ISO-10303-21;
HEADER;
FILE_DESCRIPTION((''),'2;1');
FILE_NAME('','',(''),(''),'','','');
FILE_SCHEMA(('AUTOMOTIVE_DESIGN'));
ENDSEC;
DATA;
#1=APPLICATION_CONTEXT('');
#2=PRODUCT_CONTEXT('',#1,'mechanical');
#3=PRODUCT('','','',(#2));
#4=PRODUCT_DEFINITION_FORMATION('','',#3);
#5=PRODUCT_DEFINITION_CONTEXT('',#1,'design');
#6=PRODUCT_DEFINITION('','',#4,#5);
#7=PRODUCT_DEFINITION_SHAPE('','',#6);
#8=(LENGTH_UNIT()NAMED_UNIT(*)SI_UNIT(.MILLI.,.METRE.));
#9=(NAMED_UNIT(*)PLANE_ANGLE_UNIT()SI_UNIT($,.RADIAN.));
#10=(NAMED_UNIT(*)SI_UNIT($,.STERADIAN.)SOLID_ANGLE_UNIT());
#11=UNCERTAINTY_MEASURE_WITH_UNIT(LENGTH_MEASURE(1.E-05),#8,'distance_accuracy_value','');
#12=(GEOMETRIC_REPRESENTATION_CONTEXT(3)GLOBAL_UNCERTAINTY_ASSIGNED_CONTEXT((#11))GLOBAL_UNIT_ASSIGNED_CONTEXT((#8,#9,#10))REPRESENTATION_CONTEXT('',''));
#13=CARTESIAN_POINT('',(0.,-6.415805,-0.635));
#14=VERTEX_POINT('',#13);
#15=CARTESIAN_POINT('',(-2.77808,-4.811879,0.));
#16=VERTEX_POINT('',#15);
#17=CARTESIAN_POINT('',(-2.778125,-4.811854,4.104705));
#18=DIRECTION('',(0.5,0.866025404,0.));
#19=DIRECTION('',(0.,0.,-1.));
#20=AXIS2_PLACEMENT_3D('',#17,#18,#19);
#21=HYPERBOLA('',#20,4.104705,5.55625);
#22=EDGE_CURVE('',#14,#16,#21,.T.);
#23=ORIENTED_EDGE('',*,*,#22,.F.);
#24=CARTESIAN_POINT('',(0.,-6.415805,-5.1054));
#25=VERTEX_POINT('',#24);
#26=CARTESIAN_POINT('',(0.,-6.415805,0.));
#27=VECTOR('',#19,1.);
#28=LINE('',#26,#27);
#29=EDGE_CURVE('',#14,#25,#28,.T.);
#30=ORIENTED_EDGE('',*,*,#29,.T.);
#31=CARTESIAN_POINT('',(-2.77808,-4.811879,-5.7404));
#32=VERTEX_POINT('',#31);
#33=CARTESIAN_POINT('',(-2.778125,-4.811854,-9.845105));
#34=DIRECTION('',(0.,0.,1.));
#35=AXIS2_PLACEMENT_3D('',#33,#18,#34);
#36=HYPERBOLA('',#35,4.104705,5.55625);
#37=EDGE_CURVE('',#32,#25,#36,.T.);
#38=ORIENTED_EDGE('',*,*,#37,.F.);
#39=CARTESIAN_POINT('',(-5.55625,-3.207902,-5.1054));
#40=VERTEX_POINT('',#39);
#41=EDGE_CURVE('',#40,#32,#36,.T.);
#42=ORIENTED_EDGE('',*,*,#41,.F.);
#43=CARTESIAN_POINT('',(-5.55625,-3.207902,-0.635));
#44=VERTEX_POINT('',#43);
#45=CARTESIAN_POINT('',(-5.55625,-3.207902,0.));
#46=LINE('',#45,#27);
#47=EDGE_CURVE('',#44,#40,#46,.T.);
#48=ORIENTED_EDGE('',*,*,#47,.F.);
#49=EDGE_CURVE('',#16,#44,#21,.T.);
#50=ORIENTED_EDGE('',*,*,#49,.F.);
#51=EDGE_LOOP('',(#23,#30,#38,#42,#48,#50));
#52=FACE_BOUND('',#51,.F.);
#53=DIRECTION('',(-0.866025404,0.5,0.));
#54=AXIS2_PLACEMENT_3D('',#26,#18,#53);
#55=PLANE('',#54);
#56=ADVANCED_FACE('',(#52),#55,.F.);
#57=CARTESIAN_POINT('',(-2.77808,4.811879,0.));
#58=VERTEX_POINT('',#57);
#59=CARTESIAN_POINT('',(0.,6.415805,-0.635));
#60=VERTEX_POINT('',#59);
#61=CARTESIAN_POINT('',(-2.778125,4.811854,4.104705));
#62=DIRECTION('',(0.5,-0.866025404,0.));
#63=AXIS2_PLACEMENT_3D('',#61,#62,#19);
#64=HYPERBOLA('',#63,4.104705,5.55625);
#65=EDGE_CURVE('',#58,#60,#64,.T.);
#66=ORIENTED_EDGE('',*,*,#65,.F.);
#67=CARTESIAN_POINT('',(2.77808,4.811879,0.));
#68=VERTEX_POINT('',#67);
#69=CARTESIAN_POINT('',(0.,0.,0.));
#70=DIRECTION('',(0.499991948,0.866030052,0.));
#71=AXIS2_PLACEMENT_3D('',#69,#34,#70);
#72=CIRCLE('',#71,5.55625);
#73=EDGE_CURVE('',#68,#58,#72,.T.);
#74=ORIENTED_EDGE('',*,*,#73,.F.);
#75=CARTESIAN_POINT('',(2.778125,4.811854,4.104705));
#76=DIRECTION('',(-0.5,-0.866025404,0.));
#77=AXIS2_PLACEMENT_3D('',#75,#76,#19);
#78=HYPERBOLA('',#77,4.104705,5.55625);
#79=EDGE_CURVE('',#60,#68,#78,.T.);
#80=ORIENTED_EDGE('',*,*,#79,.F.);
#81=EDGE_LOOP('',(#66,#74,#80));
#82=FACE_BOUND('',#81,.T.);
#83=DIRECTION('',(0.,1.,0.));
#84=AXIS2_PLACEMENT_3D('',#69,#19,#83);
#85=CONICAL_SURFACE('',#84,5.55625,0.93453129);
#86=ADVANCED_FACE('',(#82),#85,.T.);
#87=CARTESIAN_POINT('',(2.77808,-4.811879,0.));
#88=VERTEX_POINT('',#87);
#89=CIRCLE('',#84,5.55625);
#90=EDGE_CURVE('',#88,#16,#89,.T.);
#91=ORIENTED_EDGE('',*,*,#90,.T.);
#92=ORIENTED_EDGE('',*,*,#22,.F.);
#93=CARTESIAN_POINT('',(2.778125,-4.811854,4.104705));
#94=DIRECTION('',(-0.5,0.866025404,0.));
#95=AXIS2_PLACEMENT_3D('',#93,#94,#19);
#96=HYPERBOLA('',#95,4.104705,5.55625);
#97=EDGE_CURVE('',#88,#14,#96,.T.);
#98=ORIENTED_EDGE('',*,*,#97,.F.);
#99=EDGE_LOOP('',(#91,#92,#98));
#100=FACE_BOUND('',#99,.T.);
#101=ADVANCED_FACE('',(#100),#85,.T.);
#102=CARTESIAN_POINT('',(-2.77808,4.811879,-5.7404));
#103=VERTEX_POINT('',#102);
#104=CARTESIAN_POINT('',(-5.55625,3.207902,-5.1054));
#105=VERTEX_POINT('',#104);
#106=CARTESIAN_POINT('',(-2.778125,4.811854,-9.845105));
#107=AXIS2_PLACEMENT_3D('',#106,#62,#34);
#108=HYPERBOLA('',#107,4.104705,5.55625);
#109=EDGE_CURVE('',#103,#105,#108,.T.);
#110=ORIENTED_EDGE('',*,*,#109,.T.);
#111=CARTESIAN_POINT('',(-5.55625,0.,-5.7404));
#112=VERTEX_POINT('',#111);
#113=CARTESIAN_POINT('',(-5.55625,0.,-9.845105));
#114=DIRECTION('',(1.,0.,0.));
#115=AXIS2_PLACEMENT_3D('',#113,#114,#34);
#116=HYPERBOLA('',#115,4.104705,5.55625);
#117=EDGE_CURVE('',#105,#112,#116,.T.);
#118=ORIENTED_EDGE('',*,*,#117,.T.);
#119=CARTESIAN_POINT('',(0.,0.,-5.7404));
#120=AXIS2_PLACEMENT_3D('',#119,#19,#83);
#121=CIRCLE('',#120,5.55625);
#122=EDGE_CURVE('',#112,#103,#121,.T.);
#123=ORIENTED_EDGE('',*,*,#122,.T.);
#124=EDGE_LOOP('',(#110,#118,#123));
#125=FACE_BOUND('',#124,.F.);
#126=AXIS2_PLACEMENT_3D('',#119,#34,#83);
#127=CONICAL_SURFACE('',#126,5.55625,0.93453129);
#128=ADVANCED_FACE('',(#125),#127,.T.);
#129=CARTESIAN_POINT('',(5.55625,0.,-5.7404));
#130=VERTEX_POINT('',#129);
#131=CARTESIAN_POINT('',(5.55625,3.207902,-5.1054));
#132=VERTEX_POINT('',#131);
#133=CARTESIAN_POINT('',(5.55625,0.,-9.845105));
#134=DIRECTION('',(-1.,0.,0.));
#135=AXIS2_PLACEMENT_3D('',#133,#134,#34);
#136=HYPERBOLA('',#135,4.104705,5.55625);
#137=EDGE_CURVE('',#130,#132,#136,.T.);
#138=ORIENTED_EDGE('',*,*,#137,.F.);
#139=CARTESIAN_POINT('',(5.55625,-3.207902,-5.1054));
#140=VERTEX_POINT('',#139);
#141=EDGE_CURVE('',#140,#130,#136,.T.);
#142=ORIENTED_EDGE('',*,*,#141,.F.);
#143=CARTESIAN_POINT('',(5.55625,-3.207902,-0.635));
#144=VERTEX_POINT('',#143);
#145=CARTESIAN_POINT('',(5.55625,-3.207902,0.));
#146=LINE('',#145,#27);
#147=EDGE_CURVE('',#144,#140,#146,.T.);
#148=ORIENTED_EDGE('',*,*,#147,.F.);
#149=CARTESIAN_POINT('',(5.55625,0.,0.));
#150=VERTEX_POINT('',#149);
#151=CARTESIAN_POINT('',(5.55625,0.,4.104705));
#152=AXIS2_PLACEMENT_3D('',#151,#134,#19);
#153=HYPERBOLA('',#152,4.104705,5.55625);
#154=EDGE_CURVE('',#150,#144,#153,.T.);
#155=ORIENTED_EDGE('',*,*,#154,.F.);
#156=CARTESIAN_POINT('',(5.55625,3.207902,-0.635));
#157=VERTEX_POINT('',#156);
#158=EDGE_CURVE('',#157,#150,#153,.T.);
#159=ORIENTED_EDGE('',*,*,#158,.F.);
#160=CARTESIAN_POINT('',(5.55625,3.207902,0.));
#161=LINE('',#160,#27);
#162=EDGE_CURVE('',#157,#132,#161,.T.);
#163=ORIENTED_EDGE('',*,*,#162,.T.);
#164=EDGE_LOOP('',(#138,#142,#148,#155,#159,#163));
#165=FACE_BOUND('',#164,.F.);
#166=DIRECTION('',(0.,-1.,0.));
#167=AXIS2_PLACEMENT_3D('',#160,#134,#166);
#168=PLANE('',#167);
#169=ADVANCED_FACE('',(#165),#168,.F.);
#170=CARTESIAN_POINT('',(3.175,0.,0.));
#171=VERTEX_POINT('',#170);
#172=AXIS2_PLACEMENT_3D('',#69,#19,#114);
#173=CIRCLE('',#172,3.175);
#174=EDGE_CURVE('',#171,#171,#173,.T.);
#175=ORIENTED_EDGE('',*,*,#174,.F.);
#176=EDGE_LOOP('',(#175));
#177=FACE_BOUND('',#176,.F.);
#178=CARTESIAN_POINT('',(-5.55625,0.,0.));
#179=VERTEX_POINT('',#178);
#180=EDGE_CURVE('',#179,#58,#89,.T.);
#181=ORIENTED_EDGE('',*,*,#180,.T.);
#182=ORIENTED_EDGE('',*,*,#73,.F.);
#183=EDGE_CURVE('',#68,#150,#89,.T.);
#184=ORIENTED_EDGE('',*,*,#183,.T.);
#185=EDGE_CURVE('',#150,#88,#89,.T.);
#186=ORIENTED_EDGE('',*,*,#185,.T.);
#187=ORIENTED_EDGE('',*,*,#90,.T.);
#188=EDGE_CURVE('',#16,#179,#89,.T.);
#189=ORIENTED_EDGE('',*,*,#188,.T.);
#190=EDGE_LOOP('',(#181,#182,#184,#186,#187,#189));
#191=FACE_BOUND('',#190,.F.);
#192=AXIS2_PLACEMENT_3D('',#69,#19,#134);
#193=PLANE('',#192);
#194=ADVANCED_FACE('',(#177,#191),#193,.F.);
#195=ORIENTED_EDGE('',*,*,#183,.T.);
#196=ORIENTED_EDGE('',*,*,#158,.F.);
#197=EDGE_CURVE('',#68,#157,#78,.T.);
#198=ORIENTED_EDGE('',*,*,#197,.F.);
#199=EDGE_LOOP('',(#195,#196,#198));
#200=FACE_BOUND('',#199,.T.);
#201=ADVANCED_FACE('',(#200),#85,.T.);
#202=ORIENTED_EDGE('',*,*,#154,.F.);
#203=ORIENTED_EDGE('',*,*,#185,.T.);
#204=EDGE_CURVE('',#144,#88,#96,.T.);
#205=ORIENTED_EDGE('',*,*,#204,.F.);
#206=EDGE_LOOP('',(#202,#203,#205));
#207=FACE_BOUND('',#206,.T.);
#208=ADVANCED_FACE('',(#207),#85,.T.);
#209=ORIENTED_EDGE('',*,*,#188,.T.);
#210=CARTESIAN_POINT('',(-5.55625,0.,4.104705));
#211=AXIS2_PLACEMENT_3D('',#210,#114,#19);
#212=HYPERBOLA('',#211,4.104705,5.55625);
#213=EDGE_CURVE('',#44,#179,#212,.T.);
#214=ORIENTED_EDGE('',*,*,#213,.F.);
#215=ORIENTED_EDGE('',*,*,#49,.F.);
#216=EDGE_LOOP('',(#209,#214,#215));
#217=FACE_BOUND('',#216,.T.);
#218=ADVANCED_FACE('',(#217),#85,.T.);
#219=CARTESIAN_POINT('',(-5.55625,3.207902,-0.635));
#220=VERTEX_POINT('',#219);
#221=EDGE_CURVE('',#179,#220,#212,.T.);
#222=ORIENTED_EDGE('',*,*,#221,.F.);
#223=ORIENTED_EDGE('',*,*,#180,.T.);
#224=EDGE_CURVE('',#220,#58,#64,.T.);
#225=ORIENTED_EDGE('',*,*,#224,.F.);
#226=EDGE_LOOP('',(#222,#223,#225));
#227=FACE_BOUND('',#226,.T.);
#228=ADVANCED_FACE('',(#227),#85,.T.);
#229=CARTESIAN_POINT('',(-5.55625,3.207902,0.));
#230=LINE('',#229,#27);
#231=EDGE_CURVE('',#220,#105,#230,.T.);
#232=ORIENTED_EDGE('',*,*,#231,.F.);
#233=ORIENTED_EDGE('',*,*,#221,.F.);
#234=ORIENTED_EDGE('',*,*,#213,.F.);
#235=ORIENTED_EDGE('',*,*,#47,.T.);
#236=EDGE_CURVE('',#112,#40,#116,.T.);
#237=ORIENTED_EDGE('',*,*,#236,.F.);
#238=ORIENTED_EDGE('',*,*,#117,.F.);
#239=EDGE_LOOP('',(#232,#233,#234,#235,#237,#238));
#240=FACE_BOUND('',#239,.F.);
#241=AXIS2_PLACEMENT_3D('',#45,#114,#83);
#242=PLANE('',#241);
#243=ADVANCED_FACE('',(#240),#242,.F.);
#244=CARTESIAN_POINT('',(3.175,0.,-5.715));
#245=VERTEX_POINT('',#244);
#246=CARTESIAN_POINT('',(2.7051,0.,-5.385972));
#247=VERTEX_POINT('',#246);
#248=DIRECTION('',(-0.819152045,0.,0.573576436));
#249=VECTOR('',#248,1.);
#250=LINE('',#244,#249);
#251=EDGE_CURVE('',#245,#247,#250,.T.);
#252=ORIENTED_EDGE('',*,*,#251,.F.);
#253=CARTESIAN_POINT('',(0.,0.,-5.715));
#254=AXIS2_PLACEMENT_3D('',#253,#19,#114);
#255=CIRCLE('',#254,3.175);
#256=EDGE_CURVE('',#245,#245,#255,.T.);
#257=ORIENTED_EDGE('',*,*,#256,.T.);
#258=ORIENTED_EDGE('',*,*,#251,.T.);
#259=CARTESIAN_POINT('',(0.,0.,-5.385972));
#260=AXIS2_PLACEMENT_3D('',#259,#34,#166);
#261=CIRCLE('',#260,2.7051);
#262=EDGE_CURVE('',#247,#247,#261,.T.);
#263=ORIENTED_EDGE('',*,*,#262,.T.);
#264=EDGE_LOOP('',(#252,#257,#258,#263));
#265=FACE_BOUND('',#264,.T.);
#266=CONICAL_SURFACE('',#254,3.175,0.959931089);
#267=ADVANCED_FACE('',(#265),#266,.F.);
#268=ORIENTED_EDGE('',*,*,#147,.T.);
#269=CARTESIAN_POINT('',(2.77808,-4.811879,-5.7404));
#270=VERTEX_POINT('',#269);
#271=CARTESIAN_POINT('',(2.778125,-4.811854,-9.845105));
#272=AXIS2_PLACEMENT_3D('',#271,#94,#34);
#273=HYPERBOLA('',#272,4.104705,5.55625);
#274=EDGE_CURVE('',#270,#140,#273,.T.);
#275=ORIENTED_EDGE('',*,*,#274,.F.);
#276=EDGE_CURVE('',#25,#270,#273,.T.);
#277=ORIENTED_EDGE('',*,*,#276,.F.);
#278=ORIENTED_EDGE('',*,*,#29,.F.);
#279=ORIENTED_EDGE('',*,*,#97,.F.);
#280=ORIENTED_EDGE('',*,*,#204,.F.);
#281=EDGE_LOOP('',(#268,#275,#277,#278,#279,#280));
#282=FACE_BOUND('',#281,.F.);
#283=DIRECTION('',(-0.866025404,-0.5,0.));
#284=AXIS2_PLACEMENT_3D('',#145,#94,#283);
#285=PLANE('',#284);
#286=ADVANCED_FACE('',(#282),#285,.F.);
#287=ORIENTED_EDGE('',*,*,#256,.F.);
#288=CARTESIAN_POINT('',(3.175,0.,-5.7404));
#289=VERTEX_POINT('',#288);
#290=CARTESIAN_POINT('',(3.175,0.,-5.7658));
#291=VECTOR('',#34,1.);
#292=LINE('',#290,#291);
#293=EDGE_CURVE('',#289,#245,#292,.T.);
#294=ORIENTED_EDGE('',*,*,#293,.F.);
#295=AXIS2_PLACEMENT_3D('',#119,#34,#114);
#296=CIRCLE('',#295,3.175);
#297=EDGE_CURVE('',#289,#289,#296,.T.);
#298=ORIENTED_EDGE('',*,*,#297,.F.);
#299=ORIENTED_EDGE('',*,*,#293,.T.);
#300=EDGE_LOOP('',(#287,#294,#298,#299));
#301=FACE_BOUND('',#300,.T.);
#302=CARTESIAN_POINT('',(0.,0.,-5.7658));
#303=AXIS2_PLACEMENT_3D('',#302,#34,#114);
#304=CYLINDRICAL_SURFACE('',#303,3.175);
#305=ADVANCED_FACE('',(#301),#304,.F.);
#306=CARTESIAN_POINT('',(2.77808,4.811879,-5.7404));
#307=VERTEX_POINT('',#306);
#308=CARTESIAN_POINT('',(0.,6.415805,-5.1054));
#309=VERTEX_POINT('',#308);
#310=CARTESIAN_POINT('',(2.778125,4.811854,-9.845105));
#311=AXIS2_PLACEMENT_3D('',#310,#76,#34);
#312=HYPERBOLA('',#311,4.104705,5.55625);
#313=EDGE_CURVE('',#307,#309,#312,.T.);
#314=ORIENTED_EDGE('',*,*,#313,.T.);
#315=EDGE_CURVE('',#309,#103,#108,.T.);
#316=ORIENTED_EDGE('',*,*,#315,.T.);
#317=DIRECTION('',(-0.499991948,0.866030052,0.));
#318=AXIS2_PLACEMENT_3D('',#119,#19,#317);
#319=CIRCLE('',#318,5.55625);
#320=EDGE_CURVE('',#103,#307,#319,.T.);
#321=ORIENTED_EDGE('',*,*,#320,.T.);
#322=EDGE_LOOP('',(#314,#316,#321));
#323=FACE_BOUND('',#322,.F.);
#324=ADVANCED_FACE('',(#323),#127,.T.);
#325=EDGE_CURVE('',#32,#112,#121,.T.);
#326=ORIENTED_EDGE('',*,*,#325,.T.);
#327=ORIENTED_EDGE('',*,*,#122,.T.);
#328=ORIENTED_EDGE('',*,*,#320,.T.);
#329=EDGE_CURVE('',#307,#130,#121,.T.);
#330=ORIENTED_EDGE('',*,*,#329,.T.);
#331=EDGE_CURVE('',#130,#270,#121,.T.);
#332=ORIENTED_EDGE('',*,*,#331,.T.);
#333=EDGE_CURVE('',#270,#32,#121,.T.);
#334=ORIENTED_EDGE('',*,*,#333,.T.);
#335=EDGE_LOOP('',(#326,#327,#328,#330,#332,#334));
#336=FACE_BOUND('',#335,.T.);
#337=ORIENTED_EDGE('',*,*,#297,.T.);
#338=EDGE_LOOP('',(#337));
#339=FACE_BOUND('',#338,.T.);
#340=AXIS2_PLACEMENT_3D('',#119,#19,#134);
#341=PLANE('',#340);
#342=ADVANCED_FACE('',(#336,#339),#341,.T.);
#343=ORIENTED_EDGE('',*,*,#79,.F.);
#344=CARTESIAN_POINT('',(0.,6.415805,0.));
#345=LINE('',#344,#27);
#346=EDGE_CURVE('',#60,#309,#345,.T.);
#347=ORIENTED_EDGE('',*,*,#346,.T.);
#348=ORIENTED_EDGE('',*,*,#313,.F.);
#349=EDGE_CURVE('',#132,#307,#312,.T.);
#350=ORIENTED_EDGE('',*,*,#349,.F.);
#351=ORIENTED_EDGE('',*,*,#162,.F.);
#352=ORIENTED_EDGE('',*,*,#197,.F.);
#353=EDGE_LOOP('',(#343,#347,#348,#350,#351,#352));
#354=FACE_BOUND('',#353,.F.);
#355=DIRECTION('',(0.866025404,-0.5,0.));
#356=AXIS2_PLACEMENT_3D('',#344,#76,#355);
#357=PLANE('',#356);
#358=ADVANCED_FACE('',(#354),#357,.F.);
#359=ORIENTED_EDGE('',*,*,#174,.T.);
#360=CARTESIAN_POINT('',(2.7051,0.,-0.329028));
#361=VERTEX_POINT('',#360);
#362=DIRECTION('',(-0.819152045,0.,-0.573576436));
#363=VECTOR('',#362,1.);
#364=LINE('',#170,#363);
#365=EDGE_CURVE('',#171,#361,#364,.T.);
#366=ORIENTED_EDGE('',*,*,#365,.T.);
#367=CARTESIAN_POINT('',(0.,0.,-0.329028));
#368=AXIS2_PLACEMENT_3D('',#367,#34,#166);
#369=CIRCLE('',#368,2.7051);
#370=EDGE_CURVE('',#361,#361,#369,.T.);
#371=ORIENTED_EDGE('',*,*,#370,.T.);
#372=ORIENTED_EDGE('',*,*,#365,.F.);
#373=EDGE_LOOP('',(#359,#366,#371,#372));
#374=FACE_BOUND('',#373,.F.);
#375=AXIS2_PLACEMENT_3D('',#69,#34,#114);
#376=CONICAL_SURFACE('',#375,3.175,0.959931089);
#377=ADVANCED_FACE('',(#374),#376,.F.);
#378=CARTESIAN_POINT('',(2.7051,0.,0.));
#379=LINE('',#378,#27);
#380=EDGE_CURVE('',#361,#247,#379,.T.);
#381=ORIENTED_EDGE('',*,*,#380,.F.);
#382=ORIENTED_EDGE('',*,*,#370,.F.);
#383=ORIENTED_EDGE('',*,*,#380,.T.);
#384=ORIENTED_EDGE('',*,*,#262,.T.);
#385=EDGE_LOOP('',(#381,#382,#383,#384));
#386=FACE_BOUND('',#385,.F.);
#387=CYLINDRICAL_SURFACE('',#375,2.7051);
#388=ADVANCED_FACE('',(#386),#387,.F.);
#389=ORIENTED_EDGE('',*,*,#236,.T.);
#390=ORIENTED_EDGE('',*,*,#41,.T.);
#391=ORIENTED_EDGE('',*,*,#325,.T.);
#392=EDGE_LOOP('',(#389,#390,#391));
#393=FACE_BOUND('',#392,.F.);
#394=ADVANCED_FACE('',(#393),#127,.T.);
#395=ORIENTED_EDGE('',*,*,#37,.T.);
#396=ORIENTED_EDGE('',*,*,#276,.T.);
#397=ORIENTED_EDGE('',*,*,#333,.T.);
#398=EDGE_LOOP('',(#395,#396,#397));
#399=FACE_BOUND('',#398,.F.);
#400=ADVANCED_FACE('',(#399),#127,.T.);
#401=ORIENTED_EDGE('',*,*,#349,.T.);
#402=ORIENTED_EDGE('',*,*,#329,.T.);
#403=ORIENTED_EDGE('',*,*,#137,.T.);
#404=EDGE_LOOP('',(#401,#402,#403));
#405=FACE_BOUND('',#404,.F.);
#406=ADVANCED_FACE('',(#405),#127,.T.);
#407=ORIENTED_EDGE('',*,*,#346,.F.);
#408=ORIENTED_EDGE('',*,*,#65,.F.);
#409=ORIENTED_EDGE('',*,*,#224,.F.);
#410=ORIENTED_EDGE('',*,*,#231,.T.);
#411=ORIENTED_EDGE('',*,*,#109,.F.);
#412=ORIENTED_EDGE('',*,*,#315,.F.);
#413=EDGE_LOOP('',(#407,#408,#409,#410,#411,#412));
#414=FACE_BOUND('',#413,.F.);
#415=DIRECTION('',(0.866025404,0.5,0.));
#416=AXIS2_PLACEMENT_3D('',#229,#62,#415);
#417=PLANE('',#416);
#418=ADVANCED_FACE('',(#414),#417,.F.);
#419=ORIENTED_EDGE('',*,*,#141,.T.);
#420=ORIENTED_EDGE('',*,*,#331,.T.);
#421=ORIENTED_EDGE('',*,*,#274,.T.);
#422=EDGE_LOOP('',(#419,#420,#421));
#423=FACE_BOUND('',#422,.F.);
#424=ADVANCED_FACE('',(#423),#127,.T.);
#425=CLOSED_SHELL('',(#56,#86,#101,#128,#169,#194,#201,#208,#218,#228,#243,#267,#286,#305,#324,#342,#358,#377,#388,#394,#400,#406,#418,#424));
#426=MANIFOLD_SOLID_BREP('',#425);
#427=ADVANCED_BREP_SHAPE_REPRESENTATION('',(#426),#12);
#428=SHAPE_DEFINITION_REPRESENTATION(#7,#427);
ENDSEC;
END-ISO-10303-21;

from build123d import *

# Parameters (mm, degrees)
BASENUTSKE_R  = 2.7051
BASENUT_DEPTH = 5.7404


with BuildPart() as part:
    # BaseNutSke → BaseNut (new body)
    with BuildSketch(Plane.XY):
        Polygon((5.55625, 3.207902433), (5.55625, -3.207902433), (0, -6.415804866), (-5.55625, -3.207902433), (-5.55625, 3.207902433), (0, 6.415804866), align=None)
        Circle(BASENUTSKE_R, mode=Mode.SUBTRACT)
    extrude(amount=-BASENUT_DEPTH)

    # Sketch3 → Double-Chamfer (revolve, cut)
    with BuildSketch(Plane(origin=(0, 0, 0), x_dir=(0, 0, -1), z_dir=(1, 0, 0))):
        Polygon((5.7404, 5.55625), (5.1054, 6.415804866), (5.1054, 19.115804866), (18.4404, 19.115804866), (18.4404, 5.55625), align=None)
        Polygon((0.635, 19.115804866), (-12.7, 19.115804866), (-12.7, 5.55625), (0, 5.55625), (0.635, 6.415804866), align=None)
    revolve(axis=Axis((0, 0, 0), (0, 0, -1)), mode=Mode.SUBTRACT)

    # Sketch5 (on Right Plane) → EndChamfer (revolve, cut)
    with BuildSketch(Plane(origin=(0, 0, 0), x_dir=(0, 0, -1), z_dir=(1, 0, 0)), mode=Mode.PRIVATE) as endchamfer_sk:
        Polygon((5.715, 3.175), (5.353069726, 2.65811), (5.7658, 2.65811), (5.7658, 3.175), align=None)
        Polygon((-0.0508, 3.175), (0, 3.175), (0.361930274, 2.65811), (-0.0508, 2.65811), align=None)
    revolve(endchamfer_sk.sketch.rotate(Axis((0, 0, -25.037505729), (0, 0, -1)), 90), axis=Axis((0, 0, -25.037505729), (0, 0, -1)), mode=Mode.SUBTRACT)


solid = part.part
